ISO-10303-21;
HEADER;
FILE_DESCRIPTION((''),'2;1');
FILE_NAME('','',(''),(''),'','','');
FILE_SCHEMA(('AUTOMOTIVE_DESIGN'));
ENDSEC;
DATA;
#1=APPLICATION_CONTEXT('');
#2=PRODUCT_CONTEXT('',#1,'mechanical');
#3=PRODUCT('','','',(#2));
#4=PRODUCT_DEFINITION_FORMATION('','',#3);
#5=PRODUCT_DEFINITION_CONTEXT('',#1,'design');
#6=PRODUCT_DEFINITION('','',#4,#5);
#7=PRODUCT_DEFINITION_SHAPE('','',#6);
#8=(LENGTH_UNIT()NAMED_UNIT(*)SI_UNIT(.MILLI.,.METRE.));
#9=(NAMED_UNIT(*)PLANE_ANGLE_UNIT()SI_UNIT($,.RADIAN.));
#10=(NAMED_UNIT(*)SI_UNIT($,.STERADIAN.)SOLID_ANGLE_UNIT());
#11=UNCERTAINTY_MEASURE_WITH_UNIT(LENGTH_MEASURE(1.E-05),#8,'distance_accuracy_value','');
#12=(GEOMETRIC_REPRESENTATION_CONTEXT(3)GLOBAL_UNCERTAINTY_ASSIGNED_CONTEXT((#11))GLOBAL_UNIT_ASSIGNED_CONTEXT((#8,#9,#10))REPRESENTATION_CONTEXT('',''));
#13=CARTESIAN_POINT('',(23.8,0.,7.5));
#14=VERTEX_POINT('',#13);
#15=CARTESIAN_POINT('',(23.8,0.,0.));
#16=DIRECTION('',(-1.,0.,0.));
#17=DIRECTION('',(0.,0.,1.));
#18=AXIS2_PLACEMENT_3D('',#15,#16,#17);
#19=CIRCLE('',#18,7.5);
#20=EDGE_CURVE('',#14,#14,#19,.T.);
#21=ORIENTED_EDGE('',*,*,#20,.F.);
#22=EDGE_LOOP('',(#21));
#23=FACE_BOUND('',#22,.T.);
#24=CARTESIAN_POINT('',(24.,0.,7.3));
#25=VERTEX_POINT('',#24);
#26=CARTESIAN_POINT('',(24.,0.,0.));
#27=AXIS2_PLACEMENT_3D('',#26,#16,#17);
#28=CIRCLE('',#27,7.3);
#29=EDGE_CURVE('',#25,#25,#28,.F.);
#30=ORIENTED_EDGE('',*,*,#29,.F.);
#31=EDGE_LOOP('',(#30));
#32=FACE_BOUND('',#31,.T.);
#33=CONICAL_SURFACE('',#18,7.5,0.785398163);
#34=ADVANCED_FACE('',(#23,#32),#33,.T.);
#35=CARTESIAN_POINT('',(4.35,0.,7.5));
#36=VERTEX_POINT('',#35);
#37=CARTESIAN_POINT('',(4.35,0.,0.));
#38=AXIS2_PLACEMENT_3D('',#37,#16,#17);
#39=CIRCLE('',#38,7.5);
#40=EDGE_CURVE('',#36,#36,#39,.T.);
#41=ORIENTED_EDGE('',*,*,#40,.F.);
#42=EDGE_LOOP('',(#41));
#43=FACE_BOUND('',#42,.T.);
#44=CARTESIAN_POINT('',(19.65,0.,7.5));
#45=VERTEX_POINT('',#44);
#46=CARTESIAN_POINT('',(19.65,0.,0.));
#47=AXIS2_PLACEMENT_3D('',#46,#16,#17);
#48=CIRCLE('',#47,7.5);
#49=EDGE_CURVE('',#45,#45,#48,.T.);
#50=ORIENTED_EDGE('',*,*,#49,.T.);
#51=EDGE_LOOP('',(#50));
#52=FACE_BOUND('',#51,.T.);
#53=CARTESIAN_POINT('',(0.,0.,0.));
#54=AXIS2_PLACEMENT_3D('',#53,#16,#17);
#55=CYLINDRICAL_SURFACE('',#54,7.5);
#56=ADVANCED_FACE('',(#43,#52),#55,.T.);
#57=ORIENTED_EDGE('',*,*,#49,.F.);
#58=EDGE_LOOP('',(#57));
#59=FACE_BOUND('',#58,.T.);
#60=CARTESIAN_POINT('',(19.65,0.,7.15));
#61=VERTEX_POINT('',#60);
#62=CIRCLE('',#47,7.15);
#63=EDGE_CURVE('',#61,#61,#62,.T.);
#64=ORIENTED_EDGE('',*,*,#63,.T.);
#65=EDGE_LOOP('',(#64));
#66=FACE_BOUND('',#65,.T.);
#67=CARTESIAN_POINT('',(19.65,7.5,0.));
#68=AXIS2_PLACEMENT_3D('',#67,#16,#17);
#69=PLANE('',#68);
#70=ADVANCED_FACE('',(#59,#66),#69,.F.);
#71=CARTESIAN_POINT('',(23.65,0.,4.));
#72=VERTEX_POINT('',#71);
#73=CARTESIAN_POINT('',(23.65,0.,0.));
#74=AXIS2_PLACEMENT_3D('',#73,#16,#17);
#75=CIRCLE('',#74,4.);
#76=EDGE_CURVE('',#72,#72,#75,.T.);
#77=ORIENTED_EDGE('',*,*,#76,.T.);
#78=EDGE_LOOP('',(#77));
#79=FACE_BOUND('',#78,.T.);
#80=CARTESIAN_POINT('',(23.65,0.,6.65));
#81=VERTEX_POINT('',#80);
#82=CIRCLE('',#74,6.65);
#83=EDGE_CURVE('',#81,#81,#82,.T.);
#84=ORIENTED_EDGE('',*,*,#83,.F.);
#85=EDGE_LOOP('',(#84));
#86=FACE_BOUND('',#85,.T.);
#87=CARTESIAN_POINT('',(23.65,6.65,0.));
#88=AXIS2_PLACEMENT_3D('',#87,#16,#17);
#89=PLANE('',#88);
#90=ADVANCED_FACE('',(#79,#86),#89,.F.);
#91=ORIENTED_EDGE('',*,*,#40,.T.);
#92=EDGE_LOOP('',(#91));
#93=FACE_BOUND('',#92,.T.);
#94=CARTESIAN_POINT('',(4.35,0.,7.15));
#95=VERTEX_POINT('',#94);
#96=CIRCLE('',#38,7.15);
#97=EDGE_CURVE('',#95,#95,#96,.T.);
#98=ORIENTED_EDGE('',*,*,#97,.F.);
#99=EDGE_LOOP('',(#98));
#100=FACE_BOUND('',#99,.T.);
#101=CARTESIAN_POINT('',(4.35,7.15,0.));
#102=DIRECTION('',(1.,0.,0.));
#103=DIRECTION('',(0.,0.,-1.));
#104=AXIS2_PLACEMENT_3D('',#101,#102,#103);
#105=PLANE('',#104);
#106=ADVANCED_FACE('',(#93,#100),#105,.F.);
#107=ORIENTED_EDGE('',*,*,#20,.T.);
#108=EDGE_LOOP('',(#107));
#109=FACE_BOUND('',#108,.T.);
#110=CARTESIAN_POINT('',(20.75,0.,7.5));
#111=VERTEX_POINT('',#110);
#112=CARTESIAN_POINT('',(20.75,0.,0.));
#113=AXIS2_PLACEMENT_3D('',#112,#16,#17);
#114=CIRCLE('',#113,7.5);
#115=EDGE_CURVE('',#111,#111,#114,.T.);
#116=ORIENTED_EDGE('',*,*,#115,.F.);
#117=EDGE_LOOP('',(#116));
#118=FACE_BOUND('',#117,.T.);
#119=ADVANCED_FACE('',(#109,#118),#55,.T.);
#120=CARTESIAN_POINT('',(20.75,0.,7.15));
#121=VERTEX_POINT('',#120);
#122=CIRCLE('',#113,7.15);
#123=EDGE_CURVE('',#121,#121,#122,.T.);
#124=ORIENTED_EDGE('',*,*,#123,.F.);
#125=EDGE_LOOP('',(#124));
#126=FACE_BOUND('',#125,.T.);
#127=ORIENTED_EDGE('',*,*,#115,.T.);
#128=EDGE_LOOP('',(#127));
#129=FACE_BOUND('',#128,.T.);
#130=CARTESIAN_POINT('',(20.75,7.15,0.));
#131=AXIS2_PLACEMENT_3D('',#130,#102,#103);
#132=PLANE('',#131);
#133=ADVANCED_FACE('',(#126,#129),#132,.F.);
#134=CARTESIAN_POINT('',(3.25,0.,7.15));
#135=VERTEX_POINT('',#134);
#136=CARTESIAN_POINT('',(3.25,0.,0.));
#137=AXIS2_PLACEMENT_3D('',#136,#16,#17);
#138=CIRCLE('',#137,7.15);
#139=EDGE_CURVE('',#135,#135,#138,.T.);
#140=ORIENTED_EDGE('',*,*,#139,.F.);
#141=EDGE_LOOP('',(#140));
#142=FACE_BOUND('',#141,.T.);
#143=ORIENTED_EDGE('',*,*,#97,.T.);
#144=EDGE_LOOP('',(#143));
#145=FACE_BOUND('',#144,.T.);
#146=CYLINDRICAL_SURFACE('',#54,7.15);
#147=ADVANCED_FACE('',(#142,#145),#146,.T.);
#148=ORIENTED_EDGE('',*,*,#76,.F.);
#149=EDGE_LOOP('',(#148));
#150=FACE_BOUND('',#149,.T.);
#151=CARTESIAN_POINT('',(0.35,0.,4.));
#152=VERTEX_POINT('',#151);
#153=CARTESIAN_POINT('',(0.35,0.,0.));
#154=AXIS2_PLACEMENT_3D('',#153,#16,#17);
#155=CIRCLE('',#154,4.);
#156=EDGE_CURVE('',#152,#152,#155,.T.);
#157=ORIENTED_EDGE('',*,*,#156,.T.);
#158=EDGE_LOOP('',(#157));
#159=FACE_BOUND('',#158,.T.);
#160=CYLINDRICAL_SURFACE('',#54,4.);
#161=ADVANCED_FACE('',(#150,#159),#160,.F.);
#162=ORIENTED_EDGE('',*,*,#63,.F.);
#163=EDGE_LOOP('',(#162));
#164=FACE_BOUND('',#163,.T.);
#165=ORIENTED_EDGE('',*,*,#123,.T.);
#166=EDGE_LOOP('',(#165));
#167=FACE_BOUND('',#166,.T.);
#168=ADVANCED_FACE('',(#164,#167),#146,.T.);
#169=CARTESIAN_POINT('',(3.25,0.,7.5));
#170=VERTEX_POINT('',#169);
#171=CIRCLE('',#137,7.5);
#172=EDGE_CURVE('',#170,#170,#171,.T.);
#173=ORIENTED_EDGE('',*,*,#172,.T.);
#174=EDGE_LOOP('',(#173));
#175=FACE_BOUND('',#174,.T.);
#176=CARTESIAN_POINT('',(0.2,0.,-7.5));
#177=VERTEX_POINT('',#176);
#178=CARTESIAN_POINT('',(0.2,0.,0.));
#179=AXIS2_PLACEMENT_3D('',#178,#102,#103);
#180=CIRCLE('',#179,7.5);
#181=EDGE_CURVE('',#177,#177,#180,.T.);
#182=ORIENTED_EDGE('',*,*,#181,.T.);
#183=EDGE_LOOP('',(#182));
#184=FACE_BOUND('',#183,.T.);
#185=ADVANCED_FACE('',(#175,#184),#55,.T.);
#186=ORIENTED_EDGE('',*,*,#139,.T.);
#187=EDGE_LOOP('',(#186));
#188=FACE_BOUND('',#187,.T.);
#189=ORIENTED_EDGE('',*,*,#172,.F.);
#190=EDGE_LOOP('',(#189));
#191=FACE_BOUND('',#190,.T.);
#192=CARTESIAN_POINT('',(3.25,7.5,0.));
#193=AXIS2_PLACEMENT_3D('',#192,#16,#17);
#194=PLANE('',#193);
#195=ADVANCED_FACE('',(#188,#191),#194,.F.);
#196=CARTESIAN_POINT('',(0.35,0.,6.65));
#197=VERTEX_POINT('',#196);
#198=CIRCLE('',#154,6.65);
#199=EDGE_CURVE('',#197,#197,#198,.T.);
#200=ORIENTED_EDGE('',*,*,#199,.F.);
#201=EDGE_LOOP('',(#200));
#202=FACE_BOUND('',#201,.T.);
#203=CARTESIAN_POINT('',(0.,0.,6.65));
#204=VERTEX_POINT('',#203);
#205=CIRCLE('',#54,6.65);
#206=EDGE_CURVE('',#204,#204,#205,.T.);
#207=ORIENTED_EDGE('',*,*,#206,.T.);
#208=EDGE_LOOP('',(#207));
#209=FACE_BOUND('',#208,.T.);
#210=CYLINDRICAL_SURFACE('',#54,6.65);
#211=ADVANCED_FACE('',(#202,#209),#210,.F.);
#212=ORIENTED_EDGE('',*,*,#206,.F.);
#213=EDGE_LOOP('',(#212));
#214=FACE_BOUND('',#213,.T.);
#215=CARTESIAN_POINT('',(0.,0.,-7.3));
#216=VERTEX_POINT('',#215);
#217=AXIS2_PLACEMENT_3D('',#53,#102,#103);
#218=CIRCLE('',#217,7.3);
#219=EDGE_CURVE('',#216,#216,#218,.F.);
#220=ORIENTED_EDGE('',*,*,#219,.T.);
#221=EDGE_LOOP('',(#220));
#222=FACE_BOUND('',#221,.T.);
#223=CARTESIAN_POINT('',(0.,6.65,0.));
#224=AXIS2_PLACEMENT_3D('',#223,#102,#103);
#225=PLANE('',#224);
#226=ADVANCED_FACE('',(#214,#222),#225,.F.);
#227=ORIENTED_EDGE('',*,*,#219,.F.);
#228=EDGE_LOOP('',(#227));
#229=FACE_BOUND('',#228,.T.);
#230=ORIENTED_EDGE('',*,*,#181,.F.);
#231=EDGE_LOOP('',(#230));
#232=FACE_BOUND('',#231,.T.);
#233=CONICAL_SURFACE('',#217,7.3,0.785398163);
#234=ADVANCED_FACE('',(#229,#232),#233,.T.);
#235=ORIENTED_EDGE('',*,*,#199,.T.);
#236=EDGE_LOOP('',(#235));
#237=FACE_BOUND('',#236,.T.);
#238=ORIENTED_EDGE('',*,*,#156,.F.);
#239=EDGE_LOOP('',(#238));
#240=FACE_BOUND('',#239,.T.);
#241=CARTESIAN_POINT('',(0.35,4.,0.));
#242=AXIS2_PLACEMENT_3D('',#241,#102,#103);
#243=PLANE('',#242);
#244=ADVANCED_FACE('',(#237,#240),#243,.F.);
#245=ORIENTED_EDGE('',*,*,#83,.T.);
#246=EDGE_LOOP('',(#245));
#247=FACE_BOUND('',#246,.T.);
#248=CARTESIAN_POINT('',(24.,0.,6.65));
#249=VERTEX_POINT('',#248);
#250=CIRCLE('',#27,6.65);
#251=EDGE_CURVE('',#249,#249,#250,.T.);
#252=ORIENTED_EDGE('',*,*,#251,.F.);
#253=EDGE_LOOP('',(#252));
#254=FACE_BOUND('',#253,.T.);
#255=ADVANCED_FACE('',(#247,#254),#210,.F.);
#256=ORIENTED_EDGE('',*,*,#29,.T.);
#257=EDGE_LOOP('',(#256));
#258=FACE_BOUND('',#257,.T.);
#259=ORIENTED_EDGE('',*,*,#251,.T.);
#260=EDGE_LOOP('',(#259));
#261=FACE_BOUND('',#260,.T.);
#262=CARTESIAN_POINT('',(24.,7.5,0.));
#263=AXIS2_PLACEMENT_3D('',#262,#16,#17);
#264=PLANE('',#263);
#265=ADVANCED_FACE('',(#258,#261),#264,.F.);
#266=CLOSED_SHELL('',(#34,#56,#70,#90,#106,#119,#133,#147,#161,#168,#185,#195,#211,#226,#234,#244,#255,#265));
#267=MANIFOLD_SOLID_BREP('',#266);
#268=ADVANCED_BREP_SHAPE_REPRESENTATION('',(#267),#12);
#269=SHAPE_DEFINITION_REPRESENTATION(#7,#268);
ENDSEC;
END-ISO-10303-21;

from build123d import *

# Parameters (mm, degrees)
CHAMFER1_SIZE = 0.2


with BuildPart() as part:
    # Sketch1 → Revolve1 (revolve)
    with BuildSketch(Plane.XY, mode=Mode.PRIVATE) as revolve1_sk:
        Polygon((0.35, 4), (0.35, 6.65), (0, 6.65), (0, 7.5), (3.25, 7.5), (3.25, 7.15), (4.35, 7.15), (4.35, 7.5), (19.65, 7.5), (19.65, 7.15), (20.75, 7.15), (20.75, 7.5), (24, 7.5), (24, 6.65), (23.65, 6.65), (23.65, 4), align=None)
    revolve(revolve1_sk.sketch.rotate(Axis((0, 0, 0), (1, 0, 0)), 90), axis=Axis((0, 0, 0), (1, 0, 0)))

    # Chamfer1
    chamfer1_edges = [part.edges().sort_by_distance(p)[0] for p in [
        (24, 0, -7.5),
        (0, 0, -7.5),
    ]]
    chamfer(chamfer1_edges, length=CHAMFER1_SIZE)


solid = part.part
